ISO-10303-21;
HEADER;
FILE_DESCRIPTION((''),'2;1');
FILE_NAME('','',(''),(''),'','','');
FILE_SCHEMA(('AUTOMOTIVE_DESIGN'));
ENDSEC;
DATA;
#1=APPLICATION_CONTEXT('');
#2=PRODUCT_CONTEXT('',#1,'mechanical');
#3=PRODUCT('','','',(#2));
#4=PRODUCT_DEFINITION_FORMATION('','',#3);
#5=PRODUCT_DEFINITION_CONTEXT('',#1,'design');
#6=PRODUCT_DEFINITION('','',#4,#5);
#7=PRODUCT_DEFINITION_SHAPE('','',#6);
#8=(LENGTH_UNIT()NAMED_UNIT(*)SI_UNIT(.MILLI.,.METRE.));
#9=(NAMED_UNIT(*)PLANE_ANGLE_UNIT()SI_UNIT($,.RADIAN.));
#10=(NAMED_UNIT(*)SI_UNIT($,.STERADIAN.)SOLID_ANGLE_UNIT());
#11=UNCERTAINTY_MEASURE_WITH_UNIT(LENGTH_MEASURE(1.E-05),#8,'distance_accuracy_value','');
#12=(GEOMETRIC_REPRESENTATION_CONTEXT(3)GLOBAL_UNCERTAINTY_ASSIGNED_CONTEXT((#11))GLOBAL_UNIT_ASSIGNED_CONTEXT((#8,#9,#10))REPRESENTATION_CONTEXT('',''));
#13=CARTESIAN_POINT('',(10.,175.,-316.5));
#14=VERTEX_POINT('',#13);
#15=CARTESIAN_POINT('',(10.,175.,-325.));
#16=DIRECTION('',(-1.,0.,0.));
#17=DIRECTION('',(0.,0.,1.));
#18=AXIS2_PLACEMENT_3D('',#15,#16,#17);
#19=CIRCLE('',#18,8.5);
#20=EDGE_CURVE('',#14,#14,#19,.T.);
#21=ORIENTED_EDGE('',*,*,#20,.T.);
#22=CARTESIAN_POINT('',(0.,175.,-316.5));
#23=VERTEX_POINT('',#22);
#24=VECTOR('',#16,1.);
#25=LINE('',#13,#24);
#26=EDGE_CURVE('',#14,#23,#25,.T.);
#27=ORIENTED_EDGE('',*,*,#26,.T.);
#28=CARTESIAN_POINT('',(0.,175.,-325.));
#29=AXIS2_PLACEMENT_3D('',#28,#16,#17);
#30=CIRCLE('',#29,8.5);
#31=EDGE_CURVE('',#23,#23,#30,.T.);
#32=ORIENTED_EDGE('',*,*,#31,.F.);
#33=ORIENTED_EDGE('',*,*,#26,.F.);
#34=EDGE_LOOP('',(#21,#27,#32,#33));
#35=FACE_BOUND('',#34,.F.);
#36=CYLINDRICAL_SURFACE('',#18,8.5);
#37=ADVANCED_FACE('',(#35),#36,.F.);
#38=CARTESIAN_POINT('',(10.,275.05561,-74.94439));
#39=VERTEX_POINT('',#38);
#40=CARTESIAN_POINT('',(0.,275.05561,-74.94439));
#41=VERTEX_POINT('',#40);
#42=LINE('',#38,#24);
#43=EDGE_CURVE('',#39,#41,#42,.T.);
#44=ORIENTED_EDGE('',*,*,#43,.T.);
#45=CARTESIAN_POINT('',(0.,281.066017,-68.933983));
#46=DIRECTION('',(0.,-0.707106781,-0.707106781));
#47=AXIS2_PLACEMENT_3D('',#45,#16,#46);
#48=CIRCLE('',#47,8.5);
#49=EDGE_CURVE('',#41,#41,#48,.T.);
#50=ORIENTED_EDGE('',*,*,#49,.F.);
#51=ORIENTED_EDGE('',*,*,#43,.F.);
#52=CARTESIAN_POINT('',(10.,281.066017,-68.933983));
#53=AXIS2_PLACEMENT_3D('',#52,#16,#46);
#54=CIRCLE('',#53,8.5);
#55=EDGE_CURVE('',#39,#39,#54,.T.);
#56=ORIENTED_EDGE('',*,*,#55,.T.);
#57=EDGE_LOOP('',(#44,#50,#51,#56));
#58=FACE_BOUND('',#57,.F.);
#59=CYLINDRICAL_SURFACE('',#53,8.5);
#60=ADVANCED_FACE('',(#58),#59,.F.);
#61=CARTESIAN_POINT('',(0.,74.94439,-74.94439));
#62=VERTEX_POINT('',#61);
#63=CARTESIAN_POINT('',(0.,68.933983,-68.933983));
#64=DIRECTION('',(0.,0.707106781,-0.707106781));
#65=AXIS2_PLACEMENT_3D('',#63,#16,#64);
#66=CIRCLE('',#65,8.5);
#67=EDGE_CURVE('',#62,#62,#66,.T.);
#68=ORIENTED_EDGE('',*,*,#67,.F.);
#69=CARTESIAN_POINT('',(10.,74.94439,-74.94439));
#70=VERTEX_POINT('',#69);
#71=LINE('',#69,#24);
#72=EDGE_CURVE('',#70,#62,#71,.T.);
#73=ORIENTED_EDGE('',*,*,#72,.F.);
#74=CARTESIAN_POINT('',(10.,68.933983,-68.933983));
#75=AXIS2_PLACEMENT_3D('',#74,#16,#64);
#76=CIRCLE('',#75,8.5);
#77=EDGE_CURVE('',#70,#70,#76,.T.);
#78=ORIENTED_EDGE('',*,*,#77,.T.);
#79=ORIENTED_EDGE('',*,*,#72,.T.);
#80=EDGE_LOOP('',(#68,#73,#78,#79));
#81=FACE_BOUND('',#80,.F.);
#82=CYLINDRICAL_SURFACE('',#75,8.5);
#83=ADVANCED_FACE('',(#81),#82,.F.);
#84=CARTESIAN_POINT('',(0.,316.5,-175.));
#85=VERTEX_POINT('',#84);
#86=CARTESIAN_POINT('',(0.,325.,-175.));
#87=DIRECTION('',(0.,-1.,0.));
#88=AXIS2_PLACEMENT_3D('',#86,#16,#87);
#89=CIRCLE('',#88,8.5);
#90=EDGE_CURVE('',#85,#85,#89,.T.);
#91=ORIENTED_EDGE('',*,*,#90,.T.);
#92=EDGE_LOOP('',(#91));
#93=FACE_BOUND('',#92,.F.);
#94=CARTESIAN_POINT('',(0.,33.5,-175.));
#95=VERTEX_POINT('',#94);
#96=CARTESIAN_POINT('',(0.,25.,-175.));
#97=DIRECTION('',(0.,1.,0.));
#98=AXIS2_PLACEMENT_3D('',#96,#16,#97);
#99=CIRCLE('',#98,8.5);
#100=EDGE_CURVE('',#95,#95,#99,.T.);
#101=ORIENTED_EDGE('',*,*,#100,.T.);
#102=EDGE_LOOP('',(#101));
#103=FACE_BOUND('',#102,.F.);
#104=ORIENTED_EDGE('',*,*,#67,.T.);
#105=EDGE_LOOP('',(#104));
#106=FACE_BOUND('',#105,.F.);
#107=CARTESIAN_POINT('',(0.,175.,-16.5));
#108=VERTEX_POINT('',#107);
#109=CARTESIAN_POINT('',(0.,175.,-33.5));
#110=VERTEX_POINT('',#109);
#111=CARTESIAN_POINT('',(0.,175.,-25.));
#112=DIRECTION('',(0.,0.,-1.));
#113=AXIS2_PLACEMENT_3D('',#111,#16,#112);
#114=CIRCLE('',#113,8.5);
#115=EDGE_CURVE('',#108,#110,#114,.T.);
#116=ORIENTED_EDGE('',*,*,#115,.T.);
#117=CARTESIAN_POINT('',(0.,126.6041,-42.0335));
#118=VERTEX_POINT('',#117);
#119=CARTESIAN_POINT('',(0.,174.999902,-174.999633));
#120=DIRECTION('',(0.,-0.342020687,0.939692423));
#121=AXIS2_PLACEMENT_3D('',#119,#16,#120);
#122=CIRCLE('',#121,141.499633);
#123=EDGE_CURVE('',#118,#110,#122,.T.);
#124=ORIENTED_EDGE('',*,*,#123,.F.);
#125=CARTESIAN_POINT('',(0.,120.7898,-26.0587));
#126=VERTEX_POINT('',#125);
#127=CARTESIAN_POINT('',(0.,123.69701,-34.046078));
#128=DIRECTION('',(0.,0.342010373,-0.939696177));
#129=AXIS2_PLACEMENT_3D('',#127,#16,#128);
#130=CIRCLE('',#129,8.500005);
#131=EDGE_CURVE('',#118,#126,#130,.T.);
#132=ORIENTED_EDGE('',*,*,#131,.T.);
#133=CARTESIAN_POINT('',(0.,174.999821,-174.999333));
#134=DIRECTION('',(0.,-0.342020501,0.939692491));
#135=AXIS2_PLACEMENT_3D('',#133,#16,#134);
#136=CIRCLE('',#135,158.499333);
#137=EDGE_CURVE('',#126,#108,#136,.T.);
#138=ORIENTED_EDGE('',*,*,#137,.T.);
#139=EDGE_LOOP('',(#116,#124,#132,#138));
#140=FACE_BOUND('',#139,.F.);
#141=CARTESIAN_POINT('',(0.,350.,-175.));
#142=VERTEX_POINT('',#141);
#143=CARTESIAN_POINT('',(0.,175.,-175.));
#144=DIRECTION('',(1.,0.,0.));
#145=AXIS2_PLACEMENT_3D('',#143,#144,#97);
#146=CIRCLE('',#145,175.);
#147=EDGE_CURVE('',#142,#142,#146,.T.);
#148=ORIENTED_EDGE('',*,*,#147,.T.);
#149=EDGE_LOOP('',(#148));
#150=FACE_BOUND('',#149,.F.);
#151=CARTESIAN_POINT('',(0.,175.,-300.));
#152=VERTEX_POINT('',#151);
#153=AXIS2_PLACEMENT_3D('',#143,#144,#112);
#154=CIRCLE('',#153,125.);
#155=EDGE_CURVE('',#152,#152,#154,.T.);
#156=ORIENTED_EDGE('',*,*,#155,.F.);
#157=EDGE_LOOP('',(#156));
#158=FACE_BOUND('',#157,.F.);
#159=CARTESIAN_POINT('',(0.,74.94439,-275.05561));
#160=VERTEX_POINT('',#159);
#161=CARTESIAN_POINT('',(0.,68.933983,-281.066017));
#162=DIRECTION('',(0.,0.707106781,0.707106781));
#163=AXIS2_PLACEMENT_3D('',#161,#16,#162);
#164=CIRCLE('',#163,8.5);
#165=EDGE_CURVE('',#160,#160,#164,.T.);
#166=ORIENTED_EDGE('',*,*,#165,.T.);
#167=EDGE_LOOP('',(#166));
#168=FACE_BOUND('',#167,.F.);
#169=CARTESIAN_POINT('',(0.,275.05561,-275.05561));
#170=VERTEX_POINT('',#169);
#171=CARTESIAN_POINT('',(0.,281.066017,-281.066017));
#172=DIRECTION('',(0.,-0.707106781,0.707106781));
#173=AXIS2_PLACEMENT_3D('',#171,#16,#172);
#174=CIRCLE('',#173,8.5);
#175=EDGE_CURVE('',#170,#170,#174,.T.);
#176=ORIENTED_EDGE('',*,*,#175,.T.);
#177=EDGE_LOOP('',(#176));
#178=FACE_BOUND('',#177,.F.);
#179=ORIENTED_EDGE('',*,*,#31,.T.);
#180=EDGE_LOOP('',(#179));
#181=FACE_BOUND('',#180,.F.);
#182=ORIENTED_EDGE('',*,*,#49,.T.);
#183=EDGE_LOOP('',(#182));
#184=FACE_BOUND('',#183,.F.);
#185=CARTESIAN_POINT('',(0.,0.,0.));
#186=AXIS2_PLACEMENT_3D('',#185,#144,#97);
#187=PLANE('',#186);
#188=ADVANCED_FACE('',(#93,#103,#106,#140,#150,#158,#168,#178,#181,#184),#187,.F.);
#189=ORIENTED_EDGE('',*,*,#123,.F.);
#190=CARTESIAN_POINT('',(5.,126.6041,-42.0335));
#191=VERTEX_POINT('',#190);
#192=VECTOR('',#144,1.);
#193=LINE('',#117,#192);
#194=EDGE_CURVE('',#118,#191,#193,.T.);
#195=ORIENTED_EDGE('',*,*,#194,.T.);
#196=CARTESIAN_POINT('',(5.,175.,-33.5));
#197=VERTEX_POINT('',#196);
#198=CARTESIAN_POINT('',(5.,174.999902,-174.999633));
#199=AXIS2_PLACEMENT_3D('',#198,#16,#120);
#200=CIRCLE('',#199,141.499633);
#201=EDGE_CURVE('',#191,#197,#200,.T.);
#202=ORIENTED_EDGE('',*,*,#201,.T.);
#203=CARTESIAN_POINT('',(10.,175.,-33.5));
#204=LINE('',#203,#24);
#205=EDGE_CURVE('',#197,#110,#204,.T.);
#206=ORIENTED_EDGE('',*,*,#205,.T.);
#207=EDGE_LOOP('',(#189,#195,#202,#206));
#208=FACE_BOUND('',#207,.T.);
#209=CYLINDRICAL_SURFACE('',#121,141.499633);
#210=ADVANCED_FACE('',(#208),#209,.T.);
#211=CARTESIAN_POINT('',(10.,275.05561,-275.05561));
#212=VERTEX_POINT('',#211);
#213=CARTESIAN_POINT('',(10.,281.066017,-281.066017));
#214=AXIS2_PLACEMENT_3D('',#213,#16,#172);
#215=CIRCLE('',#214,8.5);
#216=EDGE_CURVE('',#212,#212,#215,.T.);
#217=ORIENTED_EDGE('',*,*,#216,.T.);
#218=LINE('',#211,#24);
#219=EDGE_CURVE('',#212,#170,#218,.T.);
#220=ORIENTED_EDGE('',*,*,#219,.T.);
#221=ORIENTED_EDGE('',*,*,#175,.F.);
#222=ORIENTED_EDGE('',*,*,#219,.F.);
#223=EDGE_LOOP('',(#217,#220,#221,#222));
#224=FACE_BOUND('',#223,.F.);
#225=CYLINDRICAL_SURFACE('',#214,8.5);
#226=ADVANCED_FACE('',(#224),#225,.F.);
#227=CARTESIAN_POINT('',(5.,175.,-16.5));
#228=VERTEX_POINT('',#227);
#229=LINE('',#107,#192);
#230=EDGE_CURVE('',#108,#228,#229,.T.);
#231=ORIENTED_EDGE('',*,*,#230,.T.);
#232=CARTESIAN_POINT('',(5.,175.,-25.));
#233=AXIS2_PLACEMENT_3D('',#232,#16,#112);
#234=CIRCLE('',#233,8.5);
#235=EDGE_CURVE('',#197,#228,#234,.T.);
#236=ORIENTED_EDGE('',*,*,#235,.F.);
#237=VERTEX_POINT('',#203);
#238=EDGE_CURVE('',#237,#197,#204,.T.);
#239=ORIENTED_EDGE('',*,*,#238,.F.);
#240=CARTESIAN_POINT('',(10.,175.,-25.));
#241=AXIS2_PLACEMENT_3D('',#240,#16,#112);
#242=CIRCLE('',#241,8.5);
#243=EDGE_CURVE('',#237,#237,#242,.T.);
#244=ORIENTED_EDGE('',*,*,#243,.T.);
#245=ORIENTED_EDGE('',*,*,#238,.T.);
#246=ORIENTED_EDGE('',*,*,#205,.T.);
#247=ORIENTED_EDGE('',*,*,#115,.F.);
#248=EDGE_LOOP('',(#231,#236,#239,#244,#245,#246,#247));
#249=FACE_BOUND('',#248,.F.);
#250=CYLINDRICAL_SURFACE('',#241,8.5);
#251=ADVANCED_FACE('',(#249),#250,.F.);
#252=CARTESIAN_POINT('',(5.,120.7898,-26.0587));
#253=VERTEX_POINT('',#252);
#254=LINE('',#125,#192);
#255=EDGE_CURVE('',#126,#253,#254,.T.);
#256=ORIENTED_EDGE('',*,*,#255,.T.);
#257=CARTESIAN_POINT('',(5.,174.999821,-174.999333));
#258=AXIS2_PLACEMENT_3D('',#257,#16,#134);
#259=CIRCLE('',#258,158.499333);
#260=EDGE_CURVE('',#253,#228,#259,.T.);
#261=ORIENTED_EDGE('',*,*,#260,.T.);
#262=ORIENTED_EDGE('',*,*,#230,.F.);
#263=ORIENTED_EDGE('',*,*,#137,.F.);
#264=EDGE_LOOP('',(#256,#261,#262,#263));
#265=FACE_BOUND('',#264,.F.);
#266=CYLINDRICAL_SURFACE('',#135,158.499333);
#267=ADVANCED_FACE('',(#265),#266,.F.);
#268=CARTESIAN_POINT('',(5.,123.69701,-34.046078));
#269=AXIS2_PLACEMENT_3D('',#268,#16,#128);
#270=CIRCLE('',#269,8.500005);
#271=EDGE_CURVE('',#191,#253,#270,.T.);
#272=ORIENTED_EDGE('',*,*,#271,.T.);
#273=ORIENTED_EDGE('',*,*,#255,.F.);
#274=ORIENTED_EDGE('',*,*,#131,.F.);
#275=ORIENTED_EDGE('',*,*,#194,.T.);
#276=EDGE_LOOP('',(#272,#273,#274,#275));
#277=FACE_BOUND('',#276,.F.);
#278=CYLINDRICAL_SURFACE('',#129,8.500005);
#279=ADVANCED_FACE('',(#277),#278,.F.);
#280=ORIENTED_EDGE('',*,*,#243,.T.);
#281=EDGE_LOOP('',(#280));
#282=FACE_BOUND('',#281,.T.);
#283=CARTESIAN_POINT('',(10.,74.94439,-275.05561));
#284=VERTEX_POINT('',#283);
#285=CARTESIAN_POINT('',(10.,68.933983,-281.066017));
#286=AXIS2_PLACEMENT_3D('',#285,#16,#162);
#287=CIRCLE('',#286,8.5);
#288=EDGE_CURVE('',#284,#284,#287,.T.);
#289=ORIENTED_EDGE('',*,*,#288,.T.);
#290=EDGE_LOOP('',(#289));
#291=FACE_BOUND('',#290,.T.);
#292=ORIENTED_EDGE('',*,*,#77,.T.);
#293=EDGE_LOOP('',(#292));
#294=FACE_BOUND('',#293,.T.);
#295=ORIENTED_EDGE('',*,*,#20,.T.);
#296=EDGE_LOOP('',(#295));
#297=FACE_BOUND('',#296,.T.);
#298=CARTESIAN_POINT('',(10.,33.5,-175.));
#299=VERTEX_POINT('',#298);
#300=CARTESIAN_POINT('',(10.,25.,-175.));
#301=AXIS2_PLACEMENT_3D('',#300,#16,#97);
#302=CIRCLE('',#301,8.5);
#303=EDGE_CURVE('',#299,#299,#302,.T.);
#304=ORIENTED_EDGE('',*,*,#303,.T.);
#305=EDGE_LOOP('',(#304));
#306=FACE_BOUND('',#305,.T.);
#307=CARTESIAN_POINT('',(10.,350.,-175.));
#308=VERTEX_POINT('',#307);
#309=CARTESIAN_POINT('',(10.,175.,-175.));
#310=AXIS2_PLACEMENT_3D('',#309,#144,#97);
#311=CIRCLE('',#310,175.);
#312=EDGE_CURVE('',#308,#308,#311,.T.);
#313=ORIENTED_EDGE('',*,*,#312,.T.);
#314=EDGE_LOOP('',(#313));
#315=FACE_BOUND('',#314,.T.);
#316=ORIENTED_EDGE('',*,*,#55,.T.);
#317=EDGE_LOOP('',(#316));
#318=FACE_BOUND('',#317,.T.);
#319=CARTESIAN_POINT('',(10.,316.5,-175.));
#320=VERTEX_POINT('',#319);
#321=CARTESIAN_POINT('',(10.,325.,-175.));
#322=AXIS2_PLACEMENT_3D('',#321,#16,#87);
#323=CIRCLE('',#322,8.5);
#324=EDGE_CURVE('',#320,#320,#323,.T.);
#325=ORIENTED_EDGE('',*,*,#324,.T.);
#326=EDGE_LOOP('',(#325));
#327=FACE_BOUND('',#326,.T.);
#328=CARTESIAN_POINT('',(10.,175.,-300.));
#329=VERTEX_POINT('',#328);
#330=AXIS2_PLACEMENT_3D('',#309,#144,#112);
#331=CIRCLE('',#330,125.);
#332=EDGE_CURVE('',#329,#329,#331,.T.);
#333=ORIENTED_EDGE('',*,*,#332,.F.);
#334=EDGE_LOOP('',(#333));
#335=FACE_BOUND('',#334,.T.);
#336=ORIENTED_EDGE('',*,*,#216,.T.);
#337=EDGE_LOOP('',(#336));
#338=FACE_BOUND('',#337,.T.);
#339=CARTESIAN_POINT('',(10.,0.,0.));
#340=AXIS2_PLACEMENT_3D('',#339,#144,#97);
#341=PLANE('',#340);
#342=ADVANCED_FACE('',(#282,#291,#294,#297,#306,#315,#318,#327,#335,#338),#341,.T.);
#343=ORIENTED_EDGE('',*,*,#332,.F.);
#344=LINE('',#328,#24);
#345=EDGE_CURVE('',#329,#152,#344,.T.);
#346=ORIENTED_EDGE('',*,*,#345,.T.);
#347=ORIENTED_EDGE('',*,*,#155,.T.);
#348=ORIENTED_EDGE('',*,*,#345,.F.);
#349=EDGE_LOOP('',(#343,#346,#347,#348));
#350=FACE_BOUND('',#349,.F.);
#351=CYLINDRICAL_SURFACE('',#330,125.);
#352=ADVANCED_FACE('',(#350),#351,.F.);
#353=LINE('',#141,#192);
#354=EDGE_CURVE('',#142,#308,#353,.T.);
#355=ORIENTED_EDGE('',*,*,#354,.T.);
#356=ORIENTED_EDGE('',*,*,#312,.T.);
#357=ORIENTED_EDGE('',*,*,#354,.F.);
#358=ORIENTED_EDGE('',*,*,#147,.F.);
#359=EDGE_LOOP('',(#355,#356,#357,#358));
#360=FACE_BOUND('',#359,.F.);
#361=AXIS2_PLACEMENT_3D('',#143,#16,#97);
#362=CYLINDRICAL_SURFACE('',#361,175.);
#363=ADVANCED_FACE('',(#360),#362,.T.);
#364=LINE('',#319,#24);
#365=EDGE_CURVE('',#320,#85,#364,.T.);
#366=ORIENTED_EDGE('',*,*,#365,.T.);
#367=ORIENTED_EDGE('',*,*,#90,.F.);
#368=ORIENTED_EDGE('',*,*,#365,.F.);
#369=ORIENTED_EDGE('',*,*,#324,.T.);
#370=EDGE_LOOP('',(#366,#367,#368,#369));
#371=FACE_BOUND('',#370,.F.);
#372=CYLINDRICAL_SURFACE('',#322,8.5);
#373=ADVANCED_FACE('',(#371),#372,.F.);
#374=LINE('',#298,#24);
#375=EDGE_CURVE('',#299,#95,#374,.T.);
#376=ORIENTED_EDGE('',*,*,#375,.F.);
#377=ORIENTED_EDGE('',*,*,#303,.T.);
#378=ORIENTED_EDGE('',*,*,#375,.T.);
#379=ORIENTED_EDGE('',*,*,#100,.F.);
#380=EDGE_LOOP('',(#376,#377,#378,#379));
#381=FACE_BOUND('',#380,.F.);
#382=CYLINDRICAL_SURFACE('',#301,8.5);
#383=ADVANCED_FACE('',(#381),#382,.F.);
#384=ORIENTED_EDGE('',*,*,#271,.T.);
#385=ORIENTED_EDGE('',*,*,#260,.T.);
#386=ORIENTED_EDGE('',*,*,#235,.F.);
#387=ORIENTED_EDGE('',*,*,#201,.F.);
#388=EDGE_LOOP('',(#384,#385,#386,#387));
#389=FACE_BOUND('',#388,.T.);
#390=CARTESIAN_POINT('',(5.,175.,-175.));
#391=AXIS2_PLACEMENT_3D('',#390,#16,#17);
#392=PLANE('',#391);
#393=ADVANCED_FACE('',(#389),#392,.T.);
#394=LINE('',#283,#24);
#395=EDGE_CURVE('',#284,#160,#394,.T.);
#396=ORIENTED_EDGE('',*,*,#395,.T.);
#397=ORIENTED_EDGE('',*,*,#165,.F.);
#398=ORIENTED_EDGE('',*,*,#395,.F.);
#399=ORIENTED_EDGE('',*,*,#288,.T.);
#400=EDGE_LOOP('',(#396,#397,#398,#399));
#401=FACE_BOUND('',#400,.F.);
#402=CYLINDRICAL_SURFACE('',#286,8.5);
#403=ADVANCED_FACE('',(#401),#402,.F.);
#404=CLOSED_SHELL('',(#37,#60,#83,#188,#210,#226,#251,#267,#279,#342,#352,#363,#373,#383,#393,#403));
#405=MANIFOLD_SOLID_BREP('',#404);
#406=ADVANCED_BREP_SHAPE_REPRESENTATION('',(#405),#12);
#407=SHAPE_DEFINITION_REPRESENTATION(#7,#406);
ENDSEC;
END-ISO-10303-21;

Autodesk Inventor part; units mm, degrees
ref_plane "YZ Plane" through (0, 0, 0) normal (1, 0, 0) x (0, 1, 0)
ref_plane "XZ Plane" through (0, 0, 0) normal (0, 1, 0) x (-1, 0, 0)
ref_plane "XY Plane" through (0, 0, 0) normal (0, 0, 1) x (1, 0, 0)
sketch "Sketch1" plane through (0, 0, 0) normal (1, 0, 0) x (0, 1, 0)
  circle A0 centre (175, -175) radius 175
  point P0 (0, 0)
  dimension "d0" = 175
  dimension "d1" = 175
  dimension "d2" = 350
extrude "Extrusion1" add sketch "Sketch1" along normal blind 10
sketch "Sketch2" plane through (10, 175, -175) normal (1, 0, 0) x (0, 0, -1)
  circle A0 centre (0, 0) radius 125
  point P0 (-175, -175)
  dimension "d5" = 250
extrude "Extrusion2" cut sketch "Sketch2" against normal through all
sketch "Sketch3" plane through (10, 175, -175) normal (1, 0, 0) x (0, 0, -1)
  circle A0 centre (0, 0) radius 175 projected
  point P0 (-175, -175)
  point P1 (-150, 0)
  dimension "d8" = 150
  dimension "d9" = 0
hole "Hole1" at (10, 175, -25) direction (-1, 0, 0) diameter 17 end through all
pattern_circular "Circular Pattern1" count 8 over 360 about axis through (10, 175, -175) along (-1, 0, 0) of "Hole1"
sketch "Sketch5" plane through (0, 175, -175) normal (-1, 0, 0) x (0, 0, 1)
  circle A0 centre (0, 0) radius 125 construction
  line L0 (228.602, 0) -> (0, 0) construction
  line L1 (0, 0) -> (225.8114, -82.1886) construction
  arc A1 (140.9539, -51.303) -> (150, 0) centre (0, 0) ccw construction
  arc A2 (148.9413, -54.2102) -> (158.5, 0) centre (0, 0) ccw
  arc A3 (132.9665, -48.3959) -> (141.5, 0) centre (0, 0) ccw
  arc A4 (132.9665, -48.3959) -> (148.9413, -54.2102) centre (140.9539, -51.303) ccw
  arc A5 (158.5, 0) -> (141.5, 0) centre (150, 0) ccw
  circle A6 centre (0, 0) radius 125 construction
  line L2 (228.602, 0) -> (0, 0) construction
  line L3 (0, 0) -> (225.8114, -82.1886) construction
  arc A7 (140.9539, -51.303) -> (150, 0) centre (0, 0) ccw construction
  arc A8 (148.9413, -54.2102) -> (158.5, 0) centre (0, 0) ccw
  arc A9 (132.9665, -48.3959) -> (141.5, 0) centre (0, 0) ccw
  arc A10 (132.9665, -48.3959) -> (148.9413, -54.2102) centre (140.9539, -51.303) ccw
  arc A11 (158.5, 0) -> (141.5, 0) centre (150, 0) ccw
  point P0 (175, -175)
  point P1 (175, -175)
  dimension "d30" = 20
  dimension "d31" = 150
  dimension "d32" = 8.5
  dimension "d33" = 8.5
  dimension "d34" = 8.5
  dimension "d35" = 8.5
  dimension "d38" = 20
  dimension "d39" = 150
  dimension "d40" = 8.5
  dimension "d41" = 8.5
  dimension "d42" = 8.5
  dimension "d43" = 8.5
extrude "Extrusion3" cut sketch "Sketch5" against normal blind 5
equation "\"d33\" = d32"
equation "\"d34\" = d32"
equation "\"d35\" = d32"
equation "\"d41\" = d40"
equation "\"d42\" = d40"
equation "\"d43\" = d40"
properties part number "MountingRing"
